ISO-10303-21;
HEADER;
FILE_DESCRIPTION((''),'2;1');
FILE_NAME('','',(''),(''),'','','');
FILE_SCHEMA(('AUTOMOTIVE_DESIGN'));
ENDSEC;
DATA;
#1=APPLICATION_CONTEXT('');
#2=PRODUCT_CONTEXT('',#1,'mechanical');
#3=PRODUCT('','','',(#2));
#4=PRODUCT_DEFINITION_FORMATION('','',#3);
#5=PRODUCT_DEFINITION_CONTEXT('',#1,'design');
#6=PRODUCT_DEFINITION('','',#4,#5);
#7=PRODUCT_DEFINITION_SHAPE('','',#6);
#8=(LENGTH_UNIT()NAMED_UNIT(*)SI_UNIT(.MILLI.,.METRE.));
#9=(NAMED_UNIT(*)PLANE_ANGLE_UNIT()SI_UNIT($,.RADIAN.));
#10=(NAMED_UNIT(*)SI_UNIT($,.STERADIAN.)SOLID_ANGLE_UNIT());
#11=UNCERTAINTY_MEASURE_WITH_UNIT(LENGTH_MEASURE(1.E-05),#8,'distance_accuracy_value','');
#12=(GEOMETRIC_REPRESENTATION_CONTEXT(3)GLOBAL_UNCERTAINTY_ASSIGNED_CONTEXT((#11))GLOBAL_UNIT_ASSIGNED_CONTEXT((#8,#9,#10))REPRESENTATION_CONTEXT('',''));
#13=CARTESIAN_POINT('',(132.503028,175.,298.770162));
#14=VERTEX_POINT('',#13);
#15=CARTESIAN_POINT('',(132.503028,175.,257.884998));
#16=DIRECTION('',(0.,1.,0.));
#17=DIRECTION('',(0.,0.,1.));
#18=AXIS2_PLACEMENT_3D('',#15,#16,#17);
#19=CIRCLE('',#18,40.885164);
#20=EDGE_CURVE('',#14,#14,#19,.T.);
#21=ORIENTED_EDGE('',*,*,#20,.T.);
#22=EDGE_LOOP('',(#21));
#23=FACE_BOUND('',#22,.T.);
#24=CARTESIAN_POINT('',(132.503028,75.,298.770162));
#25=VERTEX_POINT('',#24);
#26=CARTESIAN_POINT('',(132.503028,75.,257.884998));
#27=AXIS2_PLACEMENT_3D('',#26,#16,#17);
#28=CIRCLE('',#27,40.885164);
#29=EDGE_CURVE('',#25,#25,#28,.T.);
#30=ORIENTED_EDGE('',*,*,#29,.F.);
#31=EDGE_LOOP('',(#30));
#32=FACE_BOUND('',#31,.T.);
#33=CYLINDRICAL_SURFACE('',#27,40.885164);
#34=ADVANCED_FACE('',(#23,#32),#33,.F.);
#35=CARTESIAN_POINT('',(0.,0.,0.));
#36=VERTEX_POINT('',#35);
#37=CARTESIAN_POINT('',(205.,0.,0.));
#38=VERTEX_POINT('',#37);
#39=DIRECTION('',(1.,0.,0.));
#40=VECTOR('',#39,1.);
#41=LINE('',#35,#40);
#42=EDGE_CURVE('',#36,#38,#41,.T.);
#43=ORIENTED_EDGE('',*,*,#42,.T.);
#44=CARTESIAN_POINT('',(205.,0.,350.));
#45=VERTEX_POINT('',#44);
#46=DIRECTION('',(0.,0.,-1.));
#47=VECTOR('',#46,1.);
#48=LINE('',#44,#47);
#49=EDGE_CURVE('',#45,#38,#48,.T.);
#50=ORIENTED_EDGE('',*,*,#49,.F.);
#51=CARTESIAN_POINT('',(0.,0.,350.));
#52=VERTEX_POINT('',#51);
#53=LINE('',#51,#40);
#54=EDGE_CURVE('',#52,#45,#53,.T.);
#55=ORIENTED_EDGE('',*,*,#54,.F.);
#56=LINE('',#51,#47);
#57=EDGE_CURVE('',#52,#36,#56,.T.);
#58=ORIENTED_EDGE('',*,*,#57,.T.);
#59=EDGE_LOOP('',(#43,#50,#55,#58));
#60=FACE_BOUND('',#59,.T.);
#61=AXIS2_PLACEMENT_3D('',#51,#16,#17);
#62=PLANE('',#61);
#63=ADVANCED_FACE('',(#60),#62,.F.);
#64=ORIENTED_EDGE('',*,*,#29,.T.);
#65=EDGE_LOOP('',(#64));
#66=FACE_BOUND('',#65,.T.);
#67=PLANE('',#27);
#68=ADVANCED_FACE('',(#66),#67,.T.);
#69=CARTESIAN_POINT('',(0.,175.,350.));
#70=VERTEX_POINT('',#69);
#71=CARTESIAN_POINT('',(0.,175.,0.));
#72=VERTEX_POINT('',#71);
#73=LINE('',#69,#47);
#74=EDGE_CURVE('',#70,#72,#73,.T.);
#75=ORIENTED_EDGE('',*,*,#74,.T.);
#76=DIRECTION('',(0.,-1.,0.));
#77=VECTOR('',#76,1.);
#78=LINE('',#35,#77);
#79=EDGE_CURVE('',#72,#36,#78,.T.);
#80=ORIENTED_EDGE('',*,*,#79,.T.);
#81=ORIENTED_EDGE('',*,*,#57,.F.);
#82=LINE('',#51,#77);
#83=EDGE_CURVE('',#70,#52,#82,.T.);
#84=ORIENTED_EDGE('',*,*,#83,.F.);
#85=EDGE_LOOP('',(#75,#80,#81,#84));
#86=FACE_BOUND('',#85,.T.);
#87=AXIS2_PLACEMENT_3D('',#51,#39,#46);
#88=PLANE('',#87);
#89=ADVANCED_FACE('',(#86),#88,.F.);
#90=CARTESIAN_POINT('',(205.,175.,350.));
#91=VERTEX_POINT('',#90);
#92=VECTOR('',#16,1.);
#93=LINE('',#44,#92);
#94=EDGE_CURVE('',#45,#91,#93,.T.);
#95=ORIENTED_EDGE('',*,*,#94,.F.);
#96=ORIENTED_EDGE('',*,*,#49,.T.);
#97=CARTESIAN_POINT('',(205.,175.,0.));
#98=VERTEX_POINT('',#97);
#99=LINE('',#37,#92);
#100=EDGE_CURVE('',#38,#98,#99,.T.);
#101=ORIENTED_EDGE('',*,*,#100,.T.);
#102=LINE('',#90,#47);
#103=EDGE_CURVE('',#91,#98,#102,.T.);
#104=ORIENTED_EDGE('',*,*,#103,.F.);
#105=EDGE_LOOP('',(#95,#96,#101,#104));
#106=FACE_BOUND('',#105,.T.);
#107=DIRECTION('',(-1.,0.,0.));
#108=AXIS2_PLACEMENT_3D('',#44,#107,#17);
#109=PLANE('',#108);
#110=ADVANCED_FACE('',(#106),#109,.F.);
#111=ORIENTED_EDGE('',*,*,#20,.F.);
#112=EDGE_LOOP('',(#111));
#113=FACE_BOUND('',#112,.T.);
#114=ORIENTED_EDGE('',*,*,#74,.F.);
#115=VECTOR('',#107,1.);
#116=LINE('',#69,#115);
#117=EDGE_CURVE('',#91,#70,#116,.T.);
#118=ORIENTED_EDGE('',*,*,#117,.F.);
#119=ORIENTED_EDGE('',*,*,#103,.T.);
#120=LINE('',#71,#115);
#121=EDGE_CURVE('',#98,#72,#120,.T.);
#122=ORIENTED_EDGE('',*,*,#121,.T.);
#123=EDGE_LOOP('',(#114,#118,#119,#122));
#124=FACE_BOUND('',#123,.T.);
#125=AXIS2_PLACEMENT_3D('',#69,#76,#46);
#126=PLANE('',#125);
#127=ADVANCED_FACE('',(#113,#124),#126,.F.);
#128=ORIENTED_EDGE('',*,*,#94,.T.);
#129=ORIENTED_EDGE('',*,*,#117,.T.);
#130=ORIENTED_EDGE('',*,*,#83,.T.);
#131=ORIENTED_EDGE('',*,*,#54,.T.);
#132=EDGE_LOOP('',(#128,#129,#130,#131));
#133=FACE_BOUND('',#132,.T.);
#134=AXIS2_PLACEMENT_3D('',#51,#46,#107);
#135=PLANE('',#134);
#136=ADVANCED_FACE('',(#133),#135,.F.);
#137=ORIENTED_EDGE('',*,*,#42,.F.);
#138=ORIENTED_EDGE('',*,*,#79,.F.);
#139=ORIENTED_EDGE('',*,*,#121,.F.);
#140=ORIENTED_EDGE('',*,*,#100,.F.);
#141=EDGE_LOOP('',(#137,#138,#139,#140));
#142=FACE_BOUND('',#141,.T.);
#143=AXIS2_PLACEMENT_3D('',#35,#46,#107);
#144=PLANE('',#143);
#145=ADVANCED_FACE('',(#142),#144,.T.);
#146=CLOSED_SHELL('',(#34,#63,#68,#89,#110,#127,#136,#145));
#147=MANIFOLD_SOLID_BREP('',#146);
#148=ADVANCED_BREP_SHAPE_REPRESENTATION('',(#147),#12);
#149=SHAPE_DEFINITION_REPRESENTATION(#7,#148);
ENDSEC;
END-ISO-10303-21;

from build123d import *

# Parameters (mm, degrees)
ESQUISSE1_W             = 205
ESQUISSE1_H             = 175
BOSS_EXTRU_1_DEPTH      = 350
ESQUISSE2_R             = 40.885164142
ENL_V_MAT_EXTRU_1_DEPTH = 100


with BuildPart() as part:
    # Esquisse1 → Boss.-Extru.1 (new body)
    with BuildSketch(Plane.XY):
        with Locations((102.5, 87.5)):
            Rectangle(ESQUISSE1_W, ESQUISSE1_H)
    extrude(amount=BOSS_EXTRU_1_DEPTH)

    # Esquisse2 → Enlèv. mat.-Extru.1 (cut)
    with BuildSketch(Plane(origin=(0, 175, 0), x_dir=(1, 0, 0), z_dir=(0, 1, 0))):
        with Locations((132.503028047, -257.884998031)):
            Circle(ESQUISSE2_R)
    extrude(amount=-ENL_V_MAT_EXTRU_1_DEPTH, mode=Mode.SUBTRACT)


solid = part.part
